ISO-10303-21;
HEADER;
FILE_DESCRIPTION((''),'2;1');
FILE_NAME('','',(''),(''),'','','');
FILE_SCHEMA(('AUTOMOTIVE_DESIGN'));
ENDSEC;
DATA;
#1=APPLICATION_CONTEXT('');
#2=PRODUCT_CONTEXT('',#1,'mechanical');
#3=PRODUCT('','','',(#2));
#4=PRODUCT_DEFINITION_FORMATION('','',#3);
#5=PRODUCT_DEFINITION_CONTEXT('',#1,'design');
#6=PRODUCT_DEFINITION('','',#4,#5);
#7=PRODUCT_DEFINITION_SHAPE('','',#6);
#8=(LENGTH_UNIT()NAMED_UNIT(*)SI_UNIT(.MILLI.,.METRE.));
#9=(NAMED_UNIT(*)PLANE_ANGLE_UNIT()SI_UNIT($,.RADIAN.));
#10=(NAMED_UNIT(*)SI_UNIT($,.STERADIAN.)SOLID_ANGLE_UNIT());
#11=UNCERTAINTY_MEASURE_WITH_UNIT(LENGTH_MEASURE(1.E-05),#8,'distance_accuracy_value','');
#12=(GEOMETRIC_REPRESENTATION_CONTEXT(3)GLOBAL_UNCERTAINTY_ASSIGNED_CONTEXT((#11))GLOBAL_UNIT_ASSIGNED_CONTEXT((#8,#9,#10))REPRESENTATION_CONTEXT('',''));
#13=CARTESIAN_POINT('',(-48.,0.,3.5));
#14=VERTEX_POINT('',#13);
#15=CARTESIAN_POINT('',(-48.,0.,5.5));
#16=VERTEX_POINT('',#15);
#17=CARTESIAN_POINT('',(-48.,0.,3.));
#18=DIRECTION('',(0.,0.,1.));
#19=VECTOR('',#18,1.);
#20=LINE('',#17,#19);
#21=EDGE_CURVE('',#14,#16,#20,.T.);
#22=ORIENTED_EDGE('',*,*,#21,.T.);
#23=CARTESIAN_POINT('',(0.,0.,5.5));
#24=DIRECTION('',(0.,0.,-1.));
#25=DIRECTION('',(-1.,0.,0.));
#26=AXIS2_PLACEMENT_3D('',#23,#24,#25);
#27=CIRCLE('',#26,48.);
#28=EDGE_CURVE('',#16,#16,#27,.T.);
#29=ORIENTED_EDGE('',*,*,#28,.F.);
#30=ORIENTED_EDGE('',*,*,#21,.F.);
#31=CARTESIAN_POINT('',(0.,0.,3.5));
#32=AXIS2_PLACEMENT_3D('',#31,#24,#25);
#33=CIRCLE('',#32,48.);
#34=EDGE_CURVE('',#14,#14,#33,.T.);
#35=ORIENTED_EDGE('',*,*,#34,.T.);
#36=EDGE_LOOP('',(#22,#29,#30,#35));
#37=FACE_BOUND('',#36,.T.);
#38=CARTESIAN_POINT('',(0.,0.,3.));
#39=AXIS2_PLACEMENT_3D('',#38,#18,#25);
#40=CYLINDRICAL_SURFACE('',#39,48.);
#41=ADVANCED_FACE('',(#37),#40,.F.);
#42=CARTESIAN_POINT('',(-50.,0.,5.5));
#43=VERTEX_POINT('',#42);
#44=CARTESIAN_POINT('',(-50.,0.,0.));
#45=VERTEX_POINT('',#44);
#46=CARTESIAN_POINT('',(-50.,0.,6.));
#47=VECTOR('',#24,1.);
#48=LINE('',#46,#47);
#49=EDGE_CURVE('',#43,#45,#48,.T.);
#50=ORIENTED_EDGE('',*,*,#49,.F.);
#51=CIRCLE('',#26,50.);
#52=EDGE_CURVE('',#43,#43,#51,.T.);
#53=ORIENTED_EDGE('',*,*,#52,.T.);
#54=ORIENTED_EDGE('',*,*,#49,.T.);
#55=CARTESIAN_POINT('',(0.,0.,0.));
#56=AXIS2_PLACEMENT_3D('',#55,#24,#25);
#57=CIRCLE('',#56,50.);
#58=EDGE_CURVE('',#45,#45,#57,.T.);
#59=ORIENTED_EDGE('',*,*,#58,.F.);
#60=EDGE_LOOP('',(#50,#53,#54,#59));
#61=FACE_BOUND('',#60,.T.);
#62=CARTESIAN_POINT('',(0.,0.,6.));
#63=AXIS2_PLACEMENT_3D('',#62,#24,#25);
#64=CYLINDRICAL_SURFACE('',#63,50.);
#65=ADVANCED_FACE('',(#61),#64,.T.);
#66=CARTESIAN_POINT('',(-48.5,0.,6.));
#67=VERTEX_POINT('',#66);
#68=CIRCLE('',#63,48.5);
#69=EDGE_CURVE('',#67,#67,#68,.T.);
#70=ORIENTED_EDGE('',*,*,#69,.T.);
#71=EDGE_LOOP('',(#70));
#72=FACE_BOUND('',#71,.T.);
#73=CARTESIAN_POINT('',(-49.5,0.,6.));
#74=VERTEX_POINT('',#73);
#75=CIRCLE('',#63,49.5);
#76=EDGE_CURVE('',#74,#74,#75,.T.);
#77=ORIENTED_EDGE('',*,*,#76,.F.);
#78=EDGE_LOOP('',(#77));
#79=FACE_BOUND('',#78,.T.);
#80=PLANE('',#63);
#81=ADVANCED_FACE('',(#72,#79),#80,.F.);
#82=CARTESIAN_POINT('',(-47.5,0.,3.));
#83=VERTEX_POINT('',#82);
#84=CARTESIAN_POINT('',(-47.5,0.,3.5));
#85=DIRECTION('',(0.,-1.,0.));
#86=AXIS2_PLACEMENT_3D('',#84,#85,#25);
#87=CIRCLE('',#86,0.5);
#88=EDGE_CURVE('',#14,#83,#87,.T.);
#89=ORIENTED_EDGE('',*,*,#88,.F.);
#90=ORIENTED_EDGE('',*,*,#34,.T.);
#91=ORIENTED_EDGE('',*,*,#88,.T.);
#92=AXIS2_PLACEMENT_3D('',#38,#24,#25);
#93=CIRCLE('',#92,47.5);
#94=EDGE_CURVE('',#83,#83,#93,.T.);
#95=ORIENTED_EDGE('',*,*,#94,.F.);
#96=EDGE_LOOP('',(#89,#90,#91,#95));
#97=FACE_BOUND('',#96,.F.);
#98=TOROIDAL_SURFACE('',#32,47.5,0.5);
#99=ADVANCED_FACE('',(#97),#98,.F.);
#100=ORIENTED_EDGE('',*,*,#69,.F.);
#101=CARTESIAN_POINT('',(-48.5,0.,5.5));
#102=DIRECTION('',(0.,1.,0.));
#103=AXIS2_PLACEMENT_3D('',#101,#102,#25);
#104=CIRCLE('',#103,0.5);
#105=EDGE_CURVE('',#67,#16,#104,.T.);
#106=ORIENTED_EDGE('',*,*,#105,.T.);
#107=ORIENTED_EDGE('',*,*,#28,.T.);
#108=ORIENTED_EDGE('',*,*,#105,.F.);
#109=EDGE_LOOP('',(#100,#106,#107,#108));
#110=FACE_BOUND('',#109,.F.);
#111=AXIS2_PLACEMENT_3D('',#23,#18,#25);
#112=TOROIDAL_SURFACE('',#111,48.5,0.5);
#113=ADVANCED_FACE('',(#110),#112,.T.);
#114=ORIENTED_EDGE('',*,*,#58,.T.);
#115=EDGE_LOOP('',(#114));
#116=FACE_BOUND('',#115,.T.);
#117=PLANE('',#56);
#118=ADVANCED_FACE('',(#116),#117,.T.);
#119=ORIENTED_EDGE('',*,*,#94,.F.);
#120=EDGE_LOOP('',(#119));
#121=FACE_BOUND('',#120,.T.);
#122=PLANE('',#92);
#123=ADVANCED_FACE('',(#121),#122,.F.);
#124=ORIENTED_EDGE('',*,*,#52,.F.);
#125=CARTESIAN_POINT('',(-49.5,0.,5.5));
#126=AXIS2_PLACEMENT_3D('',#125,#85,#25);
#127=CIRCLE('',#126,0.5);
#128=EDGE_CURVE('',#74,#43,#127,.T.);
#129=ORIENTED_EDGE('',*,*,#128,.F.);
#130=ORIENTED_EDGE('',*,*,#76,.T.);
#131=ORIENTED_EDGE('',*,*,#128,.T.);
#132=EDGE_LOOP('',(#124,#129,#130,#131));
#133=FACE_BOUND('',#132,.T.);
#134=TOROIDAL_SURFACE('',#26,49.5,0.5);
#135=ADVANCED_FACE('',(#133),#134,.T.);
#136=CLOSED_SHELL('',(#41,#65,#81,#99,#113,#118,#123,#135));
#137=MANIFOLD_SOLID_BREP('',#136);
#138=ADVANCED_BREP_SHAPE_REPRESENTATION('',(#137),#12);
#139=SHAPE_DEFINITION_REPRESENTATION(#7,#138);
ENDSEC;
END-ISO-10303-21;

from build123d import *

# Parameters (mm, degrees)
F2_R = 0.5
F3_R = 0.5
F4_R = 0.5


with BuildPart() as f1:
    # F0 (on Front) → F1 (revolve)
    with BuildSketch(Plane.XZ):
        Polygon((-50, 0), (0, 0), (0, 3), (-48, 3), (-48, 6), (-50, 6), align=None)
    revolve(axis=Axis((0, 0, 1.5), (0, 0, -1)))

    # F2
    f2_edges = [f1.edges().sort_by_distance(p)[0] for p in [
        (50, 0, 6),
    ]]
    fillet(f2_edges, radius=F2_R)

    # F3
    f3_edges = [f1.edges().sort_by_distance(p)[0] for p in [
        (48, 0, 6),
    ]]
    fillet(f3_edges, radius=F3_R)

    # F4
    f4_edges = [f1.edges().sort_by_distance(p)[0] for p in [
        (48, 0, 3),
    ]]
    fillet(f4_edges, radius=F4_R)


solid = f1.part
